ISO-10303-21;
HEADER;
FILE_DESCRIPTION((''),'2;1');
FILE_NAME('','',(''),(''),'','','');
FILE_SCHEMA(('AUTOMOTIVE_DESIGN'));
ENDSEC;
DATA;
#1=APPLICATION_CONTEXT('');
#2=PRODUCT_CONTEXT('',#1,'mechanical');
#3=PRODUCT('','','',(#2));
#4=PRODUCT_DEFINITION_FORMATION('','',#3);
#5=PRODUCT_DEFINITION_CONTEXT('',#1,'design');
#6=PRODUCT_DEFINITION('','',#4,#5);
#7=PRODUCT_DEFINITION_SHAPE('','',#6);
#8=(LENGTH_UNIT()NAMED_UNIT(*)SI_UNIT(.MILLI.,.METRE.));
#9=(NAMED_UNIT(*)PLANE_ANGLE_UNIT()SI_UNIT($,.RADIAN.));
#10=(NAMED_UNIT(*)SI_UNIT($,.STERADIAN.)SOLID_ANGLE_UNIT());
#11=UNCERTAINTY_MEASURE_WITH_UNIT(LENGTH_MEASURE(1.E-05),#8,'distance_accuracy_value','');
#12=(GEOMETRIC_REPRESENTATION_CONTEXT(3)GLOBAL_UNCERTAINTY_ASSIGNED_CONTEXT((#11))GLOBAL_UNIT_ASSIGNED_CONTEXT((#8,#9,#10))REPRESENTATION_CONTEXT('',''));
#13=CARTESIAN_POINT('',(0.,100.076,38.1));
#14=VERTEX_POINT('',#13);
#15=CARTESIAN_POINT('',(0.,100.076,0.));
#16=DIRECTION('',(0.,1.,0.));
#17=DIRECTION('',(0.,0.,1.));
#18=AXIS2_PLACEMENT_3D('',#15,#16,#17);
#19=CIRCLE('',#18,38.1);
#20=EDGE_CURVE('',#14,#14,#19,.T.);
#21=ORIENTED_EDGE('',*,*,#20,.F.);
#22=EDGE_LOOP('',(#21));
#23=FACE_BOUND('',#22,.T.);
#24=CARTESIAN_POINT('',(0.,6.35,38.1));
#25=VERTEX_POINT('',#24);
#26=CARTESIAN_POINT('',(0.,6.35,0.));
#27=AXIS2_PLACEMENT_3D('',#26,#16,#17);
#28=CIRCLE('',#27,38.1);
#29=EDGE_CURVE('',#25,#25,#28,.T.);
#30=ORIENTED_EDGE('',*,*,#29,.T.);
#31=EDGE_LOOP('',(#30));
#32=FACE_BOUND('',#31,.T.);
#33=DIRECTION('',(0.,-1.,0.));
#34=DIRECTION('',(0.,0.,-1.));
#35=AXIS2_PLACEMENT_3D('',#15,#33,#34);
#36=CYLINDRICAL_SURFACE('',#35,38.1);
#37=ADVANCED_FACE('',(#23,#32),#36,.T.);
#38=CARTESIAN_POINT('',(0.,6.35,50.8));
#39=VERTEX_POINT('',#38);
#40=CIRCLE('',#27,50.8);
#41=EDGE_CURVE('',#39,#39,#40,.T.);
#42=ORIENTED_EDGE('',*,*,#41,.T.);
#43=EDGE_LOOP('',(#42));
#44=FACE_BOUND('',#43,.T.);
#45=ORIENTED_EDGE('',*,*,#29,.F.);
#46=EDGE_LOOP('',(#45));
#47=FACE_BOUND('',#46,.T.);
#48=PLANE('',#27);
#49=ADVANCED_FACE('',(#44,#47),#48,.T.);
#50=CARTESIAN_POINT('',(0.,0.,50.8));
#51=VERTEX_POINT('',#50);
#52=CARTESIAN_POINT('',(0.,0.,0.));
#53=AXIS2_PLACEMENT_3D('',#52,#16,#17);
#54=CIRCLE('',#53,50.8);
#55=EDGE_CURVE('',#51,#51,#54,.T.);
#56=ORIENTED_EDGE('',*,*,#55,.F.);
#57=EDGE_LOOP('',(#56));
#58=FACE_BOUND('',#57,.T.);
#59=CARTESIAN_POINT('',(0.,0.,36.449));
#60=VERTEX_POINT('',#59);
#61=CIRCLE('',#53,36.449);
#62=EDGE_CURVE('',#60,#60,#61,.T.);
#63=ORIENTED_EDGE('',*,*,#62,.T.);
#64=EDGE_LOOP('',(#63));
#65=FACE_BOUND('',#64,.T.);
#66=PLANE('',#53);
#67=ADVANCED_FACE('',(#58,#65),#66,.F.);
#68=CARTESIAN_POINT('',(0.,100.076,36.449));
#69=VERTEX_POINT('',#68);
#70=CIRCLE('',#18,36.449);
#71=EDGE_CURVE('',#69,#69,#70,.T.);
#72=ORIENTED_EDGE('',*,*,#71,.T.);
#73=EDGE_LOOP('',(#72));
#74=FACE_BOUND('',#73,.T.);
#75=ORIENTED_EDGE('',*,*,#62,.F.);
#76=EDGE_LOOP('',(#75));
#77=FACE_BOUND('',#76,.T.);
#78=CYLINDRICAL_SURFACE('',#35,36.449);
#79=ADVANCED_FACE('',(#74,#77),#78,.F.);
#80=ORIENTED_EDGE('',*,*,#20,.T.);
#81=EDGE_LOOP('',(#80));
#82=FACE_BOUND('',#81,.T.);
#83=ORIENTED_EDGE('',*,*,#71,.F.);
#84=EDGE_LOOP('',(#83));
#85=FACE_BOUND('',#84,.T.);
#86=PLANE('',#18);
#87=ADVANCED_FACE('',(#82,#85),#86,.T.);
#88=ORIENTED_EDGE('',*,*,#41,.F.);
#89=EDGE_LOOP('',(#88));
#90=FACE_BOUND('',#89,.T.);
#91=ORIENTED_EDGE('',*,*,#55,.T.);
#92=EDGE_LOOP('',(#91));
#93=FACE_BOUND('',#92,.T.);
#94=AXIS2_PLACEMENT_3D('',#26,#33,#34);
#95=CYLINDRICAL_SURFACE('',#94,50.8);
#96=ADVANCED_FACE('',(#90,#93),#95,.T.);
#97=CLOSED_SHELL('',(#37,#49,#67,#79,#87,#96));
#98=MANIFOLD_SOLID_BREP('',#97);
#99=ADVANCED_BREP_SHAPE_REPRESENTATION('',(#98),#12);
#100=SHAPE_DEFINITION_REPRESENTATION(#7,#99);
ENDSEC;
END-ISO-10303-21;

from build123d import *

# Parameters (mm, degrees)
SKETCH1_R           = 38.1
SKETCH1_R_2         = 36.449
BOSS_EXTRUDE1_DEPTH = 100.076
SKETCH1_3_R         = 50.8
SKETCH1_3_R_2       = 38.1
BOSS_EXTRUDE2_DEPTH = 6.35


with BuildPart() as part:
    # Sketch1 → Boss-Extrude1 (new body)
    with BuildSketch(Plane(origin=(0, 0, 0), x_dir=(1, 0, 0), z_dir=(0, 1, 0))):
        Circle(SKETCH1_R)
        Circle(SKETCH1_R_2, mode=Mode.SUBTRACT)
    extrude(amount=BOSS_EXTRUDE1_DEPTH)

    # Sketch1<3> → Boss-Extrude2 (add)
    with BuildSketch(Plane(origin=(0, 0, 0), x_dir=(1, 0, 0), z_dir=(0, 1, 0))):
        Circle(SKETCH1_3_R)
        Circle(SKETCH1_3_R_2, mode=Mode.SUBTRACT)
    extrude(amount=BOSS_EXTRUDE2_DEPTH)


solid = part.part
